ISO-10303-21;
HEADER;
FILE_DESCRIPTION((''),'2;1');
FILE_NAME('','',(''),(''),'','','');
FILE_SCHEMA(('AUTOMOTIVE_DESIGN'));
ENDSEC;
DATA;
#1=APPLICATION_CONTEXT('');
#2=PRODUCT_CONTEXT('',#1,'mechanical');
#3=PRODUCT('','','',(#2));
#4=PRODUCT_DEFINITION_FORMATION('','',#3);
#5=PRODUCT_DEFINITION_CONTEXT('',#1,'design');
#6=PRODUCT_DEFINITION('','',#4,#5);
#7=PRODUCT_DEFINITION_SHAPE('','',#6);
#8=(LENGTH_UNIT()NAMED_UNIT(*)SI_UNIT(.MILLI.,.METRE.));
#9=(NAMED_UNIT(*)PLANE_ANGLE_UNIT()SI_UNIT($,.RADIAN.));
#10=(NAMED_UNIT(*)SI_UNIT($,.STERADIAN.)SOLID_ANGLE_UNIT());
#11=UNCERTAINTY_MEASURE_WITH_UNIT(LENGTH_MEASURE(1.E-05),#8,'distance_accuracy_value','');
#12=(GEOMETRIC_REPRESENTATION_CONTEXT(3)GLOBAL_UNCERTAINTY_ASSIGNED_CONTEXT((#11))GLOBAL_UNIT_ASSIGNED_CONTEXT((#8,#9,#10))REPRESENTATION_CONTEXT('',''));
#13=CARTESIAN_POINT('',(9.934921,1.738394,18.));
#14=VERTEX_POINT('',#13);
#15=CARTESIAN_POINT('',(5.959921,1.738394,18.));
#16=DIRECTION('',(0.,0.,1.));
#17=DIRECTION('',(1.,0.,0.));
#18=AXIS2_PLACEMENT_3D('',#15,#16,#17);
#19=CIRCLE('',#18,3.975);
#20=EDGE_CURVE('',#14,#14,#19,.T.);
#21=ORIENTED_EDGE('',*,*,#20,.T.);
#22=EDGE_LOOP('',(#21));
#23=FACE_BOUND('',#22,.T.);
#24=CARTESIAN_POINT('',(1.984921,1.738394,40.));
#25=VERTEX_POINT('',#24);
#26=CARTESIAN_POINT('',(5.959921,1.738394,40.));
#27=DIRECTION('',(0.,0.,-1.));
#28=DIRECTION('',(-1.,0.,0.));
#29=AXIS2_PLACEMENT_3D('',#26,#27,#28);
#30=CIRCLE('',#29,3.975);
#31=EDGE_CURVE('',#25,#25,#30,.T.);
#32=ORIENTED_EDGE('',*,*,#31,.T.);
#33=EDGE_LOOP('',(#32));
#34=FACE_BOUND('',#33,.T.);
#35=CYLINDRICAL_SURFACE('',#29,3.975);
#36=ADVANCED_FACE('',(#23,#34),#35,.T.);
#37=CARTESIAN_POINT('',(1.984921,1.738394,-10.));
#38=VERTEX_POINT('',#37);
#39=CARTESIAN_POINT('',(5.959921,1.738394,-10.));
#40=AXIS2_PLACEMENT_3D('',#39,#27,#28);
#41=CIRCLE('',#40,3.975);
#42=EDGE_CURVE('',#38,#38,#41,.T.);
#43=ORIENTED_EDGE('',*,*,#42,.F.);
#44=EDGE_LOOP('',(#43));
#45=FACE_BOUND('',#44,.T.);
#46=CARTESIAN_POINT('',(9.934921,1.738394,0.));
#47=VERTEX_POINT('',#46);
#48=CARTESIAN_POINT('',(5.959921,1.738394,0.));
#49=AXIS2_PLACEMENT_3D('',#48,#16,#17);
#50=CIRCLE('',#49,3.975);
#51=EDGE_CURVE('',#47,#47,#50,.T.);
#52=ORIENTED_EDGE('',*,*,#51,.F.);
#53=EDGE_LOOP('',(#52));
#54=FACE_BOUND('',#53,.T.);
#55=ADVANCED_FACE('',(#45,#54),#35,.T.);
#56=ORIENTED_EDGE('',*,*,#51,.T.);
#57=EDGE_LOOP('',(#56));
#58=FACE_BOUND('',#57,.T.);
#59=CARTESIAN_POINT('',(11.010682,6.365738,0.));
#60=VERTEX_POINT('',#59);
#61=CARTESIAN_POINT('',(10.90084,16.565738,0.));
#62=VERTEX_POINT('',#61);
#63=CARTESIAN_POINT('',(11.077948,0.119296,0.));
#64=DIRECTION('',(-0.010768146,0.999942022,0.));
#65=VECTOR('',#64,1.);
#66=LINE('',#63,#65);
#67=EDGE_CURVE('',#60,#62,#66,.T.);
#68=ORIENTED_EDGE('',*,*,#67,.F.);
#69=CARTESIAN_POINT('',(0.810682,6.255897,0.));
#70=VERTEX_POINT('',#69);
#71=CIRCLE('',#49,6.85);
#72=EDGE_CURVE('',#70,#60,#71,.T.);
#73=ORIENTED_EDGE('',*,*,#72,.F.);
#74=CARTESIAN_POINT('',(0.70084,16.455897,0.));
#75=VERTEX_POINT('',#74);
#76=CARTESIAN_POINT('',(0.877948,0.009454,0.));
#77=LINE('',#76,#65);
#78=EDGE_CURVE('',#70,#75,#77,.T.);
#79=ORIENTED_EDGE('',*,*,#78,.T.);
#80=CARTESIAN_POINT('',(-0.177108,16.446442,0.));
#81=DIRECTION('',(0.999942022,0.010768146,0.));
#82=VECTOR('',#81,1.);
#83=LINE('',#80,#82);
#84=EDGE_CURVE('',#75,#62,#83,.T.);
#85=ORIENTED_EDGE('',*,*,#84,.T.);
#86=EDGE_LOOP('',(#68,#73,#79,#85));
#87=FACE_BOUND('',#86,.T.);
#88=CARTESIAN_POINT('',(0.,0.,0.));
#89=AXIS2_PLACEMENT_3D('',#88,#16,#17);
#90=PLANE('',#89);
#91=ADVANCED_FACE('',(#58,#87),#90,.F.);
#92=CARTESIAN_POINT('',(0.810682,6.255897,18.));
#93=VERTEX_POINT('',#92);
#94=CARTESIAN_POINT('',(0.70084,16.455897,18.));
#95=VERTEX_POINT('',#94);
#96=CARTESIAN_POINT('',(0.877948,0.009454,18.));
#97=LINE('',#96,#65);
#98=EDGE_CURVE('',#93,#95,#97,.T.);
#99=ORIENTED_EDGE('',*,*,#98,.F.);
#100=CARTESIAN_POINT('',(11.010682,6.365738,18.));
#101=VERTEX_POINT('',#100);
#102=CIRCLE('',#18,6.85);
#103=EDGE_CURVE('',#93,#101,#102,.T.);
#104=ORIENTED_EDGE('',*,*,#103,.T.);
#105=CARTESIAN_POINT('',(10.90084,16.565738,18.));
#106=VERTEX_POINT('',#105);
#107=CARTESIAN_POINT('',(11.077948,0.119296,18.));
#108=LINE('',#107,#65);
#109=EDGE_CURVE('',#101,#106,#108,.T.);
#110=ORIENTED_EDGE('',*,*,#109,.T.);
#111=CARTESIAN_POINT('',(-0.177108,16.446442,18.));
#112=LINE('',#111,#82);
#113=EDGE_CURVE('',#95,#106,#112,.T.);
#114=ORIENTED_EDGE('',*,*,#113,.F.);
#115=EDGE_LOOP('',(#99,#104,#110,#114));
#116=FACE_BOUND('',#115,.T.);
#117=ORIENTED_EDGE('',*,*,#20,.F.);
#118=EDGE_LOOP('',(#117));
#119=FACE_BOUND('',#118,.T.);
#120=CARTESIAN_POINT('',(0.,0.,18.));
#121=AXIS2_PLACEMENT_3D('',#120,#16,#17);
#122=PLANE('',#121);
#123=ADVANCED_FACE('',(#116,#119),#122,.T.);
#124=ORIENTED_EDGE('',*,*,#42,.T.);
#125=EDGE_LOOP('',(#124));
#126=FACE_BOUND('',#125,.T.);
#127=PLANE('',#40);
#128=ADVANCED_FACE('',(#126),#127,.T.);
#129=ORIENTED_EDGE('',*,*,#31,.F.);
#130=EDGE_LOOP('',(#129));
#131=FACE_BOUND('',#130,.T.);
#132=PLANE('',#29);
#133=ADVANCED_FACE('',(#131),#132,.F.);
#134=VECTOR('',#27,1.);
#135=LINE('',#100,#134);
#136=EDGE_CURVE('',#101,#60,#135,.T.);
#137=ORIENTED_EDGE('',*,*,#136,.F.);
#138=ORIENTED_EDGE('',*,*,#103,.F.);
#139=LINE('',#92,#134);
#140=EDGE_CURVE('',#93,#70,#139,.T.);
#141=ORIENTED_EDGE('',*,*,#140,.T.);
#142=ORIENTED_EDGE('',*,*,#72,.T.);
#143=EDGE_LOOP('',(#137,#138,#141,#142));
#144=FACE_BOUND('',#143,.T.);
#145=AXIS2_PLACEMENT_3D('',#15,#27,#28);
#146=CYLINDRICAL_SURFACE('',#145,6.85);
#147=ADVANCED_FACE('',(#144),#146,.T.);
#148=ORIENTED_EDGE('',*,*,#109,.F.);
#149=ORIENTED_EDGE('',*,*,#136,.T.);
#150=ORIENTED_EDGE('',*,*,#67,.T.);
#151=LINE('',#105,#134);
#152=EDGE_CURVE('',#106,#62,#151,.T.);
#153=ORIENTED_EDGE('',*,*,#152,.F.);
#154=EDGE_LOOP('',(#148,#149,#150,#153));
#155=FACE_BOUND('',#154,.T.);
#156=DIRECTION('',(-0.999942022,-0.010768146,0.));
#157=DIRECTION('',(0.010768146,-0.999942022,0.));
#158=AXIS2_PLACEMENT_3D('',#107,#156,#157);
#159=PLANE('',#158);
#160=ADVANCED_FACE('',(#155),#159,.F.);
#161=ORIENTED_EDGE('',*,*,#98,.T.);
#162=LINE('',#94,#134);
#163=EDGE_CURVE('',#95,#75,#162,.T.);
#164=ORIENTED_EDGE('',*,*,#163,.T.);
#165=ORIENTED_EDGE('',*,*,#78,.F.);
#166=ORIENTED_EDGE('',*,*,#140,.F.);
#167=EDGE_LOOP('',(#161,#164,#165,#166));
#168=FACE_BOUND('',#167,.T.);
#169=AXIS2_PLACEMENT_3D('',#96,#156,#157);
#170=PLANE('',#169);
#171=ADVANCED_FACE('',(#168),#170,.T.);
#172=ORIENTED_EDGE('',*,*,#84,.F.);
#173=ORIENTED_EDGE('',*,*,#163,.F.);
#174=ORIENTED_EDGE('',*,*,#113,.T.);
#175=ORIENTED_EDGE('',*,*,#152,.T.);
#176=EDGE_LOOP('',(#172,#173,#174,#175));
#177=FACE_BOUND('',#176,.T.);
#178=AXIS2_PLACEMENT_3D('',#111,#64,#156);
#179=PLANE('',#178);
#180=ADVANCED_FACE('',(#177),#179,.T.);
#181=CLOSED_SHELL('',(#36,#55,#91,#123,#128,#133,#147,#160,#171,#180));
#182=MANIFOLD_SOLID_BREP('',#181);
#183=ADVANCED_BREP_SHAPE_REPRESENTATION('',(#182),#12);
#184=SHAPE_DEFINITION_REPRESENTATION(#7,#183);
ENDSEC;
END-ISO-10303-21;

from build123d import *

# Parameters (mm, degrees)
BOSS_EXTRUDE1_DEPTH      = 18
SKETCH4_R                = 3.975
BOSS_EXTRUDE2_DEPTH      = 10
BOSS_EXTRUDE2_DEPTH_BACK = 40


with BuildPart() as part:
    # Sketch1 → Boss-Extrude1 (new body)
    with BuildSketch(Plane.XY):
        with BuildLine():
            Line((0.700840098, 16.455896919), (0.810681557, 6.255896919))
            ThreePointArc((0.810681557, 6.255896919), (5.886159138, 8.587996721), (11.010681557, 6.365738378))
            Line((11.010681557, 6.365738378), (10.900840098, 16.565738378))
            Line((10.900840098, 16.565738378), (0.700840098, 16.455896919))
        make_face()
        with BuildLine():
            ThreePointArc((11.010681557, 6.365738378), (5.886159138, 8.587996721), (0.810681557, 6.255896919))
            Line((0.810681557, 6.255896919), (11.010681557, 6.365738378))
        make_face()
        with BuildLine():
            Line((11.010681557, 6.365738378), (0.810681557, 6.255896919))
            ThreePointArc((0.810681557, 6.255896919), (3.546395485, -4.672331118), (12.809920939, 1.738393871))
            ThreePointArc((12.809920939, 1.738393871), (12.344285051, 4.220811017), (11.010681557, 6.365738378))
        make_face()
    extrude(amount=BOSS_EXTRUDE1_DEPTH)

    # Sketch4 → Boss-Extrude2 (add, two sides)
    with BuildSketch(Plane(origin=(0, 0, 0), x_dir=(-1, 0, 0), z_dir=(0, 0, -1))) as boss_extrude2_sk:
        with Locations((-5.959920939, 1.738393871)):
            Circle(SKETCH4_R)
    extrude(amount=BOSS_EXTRUDE2_DEPTH)
    extrude(boss_extrude2_sk.sketch, amount=-BOSS_EXTRUDE2_DEPTH_BACK)


solid = part.part
